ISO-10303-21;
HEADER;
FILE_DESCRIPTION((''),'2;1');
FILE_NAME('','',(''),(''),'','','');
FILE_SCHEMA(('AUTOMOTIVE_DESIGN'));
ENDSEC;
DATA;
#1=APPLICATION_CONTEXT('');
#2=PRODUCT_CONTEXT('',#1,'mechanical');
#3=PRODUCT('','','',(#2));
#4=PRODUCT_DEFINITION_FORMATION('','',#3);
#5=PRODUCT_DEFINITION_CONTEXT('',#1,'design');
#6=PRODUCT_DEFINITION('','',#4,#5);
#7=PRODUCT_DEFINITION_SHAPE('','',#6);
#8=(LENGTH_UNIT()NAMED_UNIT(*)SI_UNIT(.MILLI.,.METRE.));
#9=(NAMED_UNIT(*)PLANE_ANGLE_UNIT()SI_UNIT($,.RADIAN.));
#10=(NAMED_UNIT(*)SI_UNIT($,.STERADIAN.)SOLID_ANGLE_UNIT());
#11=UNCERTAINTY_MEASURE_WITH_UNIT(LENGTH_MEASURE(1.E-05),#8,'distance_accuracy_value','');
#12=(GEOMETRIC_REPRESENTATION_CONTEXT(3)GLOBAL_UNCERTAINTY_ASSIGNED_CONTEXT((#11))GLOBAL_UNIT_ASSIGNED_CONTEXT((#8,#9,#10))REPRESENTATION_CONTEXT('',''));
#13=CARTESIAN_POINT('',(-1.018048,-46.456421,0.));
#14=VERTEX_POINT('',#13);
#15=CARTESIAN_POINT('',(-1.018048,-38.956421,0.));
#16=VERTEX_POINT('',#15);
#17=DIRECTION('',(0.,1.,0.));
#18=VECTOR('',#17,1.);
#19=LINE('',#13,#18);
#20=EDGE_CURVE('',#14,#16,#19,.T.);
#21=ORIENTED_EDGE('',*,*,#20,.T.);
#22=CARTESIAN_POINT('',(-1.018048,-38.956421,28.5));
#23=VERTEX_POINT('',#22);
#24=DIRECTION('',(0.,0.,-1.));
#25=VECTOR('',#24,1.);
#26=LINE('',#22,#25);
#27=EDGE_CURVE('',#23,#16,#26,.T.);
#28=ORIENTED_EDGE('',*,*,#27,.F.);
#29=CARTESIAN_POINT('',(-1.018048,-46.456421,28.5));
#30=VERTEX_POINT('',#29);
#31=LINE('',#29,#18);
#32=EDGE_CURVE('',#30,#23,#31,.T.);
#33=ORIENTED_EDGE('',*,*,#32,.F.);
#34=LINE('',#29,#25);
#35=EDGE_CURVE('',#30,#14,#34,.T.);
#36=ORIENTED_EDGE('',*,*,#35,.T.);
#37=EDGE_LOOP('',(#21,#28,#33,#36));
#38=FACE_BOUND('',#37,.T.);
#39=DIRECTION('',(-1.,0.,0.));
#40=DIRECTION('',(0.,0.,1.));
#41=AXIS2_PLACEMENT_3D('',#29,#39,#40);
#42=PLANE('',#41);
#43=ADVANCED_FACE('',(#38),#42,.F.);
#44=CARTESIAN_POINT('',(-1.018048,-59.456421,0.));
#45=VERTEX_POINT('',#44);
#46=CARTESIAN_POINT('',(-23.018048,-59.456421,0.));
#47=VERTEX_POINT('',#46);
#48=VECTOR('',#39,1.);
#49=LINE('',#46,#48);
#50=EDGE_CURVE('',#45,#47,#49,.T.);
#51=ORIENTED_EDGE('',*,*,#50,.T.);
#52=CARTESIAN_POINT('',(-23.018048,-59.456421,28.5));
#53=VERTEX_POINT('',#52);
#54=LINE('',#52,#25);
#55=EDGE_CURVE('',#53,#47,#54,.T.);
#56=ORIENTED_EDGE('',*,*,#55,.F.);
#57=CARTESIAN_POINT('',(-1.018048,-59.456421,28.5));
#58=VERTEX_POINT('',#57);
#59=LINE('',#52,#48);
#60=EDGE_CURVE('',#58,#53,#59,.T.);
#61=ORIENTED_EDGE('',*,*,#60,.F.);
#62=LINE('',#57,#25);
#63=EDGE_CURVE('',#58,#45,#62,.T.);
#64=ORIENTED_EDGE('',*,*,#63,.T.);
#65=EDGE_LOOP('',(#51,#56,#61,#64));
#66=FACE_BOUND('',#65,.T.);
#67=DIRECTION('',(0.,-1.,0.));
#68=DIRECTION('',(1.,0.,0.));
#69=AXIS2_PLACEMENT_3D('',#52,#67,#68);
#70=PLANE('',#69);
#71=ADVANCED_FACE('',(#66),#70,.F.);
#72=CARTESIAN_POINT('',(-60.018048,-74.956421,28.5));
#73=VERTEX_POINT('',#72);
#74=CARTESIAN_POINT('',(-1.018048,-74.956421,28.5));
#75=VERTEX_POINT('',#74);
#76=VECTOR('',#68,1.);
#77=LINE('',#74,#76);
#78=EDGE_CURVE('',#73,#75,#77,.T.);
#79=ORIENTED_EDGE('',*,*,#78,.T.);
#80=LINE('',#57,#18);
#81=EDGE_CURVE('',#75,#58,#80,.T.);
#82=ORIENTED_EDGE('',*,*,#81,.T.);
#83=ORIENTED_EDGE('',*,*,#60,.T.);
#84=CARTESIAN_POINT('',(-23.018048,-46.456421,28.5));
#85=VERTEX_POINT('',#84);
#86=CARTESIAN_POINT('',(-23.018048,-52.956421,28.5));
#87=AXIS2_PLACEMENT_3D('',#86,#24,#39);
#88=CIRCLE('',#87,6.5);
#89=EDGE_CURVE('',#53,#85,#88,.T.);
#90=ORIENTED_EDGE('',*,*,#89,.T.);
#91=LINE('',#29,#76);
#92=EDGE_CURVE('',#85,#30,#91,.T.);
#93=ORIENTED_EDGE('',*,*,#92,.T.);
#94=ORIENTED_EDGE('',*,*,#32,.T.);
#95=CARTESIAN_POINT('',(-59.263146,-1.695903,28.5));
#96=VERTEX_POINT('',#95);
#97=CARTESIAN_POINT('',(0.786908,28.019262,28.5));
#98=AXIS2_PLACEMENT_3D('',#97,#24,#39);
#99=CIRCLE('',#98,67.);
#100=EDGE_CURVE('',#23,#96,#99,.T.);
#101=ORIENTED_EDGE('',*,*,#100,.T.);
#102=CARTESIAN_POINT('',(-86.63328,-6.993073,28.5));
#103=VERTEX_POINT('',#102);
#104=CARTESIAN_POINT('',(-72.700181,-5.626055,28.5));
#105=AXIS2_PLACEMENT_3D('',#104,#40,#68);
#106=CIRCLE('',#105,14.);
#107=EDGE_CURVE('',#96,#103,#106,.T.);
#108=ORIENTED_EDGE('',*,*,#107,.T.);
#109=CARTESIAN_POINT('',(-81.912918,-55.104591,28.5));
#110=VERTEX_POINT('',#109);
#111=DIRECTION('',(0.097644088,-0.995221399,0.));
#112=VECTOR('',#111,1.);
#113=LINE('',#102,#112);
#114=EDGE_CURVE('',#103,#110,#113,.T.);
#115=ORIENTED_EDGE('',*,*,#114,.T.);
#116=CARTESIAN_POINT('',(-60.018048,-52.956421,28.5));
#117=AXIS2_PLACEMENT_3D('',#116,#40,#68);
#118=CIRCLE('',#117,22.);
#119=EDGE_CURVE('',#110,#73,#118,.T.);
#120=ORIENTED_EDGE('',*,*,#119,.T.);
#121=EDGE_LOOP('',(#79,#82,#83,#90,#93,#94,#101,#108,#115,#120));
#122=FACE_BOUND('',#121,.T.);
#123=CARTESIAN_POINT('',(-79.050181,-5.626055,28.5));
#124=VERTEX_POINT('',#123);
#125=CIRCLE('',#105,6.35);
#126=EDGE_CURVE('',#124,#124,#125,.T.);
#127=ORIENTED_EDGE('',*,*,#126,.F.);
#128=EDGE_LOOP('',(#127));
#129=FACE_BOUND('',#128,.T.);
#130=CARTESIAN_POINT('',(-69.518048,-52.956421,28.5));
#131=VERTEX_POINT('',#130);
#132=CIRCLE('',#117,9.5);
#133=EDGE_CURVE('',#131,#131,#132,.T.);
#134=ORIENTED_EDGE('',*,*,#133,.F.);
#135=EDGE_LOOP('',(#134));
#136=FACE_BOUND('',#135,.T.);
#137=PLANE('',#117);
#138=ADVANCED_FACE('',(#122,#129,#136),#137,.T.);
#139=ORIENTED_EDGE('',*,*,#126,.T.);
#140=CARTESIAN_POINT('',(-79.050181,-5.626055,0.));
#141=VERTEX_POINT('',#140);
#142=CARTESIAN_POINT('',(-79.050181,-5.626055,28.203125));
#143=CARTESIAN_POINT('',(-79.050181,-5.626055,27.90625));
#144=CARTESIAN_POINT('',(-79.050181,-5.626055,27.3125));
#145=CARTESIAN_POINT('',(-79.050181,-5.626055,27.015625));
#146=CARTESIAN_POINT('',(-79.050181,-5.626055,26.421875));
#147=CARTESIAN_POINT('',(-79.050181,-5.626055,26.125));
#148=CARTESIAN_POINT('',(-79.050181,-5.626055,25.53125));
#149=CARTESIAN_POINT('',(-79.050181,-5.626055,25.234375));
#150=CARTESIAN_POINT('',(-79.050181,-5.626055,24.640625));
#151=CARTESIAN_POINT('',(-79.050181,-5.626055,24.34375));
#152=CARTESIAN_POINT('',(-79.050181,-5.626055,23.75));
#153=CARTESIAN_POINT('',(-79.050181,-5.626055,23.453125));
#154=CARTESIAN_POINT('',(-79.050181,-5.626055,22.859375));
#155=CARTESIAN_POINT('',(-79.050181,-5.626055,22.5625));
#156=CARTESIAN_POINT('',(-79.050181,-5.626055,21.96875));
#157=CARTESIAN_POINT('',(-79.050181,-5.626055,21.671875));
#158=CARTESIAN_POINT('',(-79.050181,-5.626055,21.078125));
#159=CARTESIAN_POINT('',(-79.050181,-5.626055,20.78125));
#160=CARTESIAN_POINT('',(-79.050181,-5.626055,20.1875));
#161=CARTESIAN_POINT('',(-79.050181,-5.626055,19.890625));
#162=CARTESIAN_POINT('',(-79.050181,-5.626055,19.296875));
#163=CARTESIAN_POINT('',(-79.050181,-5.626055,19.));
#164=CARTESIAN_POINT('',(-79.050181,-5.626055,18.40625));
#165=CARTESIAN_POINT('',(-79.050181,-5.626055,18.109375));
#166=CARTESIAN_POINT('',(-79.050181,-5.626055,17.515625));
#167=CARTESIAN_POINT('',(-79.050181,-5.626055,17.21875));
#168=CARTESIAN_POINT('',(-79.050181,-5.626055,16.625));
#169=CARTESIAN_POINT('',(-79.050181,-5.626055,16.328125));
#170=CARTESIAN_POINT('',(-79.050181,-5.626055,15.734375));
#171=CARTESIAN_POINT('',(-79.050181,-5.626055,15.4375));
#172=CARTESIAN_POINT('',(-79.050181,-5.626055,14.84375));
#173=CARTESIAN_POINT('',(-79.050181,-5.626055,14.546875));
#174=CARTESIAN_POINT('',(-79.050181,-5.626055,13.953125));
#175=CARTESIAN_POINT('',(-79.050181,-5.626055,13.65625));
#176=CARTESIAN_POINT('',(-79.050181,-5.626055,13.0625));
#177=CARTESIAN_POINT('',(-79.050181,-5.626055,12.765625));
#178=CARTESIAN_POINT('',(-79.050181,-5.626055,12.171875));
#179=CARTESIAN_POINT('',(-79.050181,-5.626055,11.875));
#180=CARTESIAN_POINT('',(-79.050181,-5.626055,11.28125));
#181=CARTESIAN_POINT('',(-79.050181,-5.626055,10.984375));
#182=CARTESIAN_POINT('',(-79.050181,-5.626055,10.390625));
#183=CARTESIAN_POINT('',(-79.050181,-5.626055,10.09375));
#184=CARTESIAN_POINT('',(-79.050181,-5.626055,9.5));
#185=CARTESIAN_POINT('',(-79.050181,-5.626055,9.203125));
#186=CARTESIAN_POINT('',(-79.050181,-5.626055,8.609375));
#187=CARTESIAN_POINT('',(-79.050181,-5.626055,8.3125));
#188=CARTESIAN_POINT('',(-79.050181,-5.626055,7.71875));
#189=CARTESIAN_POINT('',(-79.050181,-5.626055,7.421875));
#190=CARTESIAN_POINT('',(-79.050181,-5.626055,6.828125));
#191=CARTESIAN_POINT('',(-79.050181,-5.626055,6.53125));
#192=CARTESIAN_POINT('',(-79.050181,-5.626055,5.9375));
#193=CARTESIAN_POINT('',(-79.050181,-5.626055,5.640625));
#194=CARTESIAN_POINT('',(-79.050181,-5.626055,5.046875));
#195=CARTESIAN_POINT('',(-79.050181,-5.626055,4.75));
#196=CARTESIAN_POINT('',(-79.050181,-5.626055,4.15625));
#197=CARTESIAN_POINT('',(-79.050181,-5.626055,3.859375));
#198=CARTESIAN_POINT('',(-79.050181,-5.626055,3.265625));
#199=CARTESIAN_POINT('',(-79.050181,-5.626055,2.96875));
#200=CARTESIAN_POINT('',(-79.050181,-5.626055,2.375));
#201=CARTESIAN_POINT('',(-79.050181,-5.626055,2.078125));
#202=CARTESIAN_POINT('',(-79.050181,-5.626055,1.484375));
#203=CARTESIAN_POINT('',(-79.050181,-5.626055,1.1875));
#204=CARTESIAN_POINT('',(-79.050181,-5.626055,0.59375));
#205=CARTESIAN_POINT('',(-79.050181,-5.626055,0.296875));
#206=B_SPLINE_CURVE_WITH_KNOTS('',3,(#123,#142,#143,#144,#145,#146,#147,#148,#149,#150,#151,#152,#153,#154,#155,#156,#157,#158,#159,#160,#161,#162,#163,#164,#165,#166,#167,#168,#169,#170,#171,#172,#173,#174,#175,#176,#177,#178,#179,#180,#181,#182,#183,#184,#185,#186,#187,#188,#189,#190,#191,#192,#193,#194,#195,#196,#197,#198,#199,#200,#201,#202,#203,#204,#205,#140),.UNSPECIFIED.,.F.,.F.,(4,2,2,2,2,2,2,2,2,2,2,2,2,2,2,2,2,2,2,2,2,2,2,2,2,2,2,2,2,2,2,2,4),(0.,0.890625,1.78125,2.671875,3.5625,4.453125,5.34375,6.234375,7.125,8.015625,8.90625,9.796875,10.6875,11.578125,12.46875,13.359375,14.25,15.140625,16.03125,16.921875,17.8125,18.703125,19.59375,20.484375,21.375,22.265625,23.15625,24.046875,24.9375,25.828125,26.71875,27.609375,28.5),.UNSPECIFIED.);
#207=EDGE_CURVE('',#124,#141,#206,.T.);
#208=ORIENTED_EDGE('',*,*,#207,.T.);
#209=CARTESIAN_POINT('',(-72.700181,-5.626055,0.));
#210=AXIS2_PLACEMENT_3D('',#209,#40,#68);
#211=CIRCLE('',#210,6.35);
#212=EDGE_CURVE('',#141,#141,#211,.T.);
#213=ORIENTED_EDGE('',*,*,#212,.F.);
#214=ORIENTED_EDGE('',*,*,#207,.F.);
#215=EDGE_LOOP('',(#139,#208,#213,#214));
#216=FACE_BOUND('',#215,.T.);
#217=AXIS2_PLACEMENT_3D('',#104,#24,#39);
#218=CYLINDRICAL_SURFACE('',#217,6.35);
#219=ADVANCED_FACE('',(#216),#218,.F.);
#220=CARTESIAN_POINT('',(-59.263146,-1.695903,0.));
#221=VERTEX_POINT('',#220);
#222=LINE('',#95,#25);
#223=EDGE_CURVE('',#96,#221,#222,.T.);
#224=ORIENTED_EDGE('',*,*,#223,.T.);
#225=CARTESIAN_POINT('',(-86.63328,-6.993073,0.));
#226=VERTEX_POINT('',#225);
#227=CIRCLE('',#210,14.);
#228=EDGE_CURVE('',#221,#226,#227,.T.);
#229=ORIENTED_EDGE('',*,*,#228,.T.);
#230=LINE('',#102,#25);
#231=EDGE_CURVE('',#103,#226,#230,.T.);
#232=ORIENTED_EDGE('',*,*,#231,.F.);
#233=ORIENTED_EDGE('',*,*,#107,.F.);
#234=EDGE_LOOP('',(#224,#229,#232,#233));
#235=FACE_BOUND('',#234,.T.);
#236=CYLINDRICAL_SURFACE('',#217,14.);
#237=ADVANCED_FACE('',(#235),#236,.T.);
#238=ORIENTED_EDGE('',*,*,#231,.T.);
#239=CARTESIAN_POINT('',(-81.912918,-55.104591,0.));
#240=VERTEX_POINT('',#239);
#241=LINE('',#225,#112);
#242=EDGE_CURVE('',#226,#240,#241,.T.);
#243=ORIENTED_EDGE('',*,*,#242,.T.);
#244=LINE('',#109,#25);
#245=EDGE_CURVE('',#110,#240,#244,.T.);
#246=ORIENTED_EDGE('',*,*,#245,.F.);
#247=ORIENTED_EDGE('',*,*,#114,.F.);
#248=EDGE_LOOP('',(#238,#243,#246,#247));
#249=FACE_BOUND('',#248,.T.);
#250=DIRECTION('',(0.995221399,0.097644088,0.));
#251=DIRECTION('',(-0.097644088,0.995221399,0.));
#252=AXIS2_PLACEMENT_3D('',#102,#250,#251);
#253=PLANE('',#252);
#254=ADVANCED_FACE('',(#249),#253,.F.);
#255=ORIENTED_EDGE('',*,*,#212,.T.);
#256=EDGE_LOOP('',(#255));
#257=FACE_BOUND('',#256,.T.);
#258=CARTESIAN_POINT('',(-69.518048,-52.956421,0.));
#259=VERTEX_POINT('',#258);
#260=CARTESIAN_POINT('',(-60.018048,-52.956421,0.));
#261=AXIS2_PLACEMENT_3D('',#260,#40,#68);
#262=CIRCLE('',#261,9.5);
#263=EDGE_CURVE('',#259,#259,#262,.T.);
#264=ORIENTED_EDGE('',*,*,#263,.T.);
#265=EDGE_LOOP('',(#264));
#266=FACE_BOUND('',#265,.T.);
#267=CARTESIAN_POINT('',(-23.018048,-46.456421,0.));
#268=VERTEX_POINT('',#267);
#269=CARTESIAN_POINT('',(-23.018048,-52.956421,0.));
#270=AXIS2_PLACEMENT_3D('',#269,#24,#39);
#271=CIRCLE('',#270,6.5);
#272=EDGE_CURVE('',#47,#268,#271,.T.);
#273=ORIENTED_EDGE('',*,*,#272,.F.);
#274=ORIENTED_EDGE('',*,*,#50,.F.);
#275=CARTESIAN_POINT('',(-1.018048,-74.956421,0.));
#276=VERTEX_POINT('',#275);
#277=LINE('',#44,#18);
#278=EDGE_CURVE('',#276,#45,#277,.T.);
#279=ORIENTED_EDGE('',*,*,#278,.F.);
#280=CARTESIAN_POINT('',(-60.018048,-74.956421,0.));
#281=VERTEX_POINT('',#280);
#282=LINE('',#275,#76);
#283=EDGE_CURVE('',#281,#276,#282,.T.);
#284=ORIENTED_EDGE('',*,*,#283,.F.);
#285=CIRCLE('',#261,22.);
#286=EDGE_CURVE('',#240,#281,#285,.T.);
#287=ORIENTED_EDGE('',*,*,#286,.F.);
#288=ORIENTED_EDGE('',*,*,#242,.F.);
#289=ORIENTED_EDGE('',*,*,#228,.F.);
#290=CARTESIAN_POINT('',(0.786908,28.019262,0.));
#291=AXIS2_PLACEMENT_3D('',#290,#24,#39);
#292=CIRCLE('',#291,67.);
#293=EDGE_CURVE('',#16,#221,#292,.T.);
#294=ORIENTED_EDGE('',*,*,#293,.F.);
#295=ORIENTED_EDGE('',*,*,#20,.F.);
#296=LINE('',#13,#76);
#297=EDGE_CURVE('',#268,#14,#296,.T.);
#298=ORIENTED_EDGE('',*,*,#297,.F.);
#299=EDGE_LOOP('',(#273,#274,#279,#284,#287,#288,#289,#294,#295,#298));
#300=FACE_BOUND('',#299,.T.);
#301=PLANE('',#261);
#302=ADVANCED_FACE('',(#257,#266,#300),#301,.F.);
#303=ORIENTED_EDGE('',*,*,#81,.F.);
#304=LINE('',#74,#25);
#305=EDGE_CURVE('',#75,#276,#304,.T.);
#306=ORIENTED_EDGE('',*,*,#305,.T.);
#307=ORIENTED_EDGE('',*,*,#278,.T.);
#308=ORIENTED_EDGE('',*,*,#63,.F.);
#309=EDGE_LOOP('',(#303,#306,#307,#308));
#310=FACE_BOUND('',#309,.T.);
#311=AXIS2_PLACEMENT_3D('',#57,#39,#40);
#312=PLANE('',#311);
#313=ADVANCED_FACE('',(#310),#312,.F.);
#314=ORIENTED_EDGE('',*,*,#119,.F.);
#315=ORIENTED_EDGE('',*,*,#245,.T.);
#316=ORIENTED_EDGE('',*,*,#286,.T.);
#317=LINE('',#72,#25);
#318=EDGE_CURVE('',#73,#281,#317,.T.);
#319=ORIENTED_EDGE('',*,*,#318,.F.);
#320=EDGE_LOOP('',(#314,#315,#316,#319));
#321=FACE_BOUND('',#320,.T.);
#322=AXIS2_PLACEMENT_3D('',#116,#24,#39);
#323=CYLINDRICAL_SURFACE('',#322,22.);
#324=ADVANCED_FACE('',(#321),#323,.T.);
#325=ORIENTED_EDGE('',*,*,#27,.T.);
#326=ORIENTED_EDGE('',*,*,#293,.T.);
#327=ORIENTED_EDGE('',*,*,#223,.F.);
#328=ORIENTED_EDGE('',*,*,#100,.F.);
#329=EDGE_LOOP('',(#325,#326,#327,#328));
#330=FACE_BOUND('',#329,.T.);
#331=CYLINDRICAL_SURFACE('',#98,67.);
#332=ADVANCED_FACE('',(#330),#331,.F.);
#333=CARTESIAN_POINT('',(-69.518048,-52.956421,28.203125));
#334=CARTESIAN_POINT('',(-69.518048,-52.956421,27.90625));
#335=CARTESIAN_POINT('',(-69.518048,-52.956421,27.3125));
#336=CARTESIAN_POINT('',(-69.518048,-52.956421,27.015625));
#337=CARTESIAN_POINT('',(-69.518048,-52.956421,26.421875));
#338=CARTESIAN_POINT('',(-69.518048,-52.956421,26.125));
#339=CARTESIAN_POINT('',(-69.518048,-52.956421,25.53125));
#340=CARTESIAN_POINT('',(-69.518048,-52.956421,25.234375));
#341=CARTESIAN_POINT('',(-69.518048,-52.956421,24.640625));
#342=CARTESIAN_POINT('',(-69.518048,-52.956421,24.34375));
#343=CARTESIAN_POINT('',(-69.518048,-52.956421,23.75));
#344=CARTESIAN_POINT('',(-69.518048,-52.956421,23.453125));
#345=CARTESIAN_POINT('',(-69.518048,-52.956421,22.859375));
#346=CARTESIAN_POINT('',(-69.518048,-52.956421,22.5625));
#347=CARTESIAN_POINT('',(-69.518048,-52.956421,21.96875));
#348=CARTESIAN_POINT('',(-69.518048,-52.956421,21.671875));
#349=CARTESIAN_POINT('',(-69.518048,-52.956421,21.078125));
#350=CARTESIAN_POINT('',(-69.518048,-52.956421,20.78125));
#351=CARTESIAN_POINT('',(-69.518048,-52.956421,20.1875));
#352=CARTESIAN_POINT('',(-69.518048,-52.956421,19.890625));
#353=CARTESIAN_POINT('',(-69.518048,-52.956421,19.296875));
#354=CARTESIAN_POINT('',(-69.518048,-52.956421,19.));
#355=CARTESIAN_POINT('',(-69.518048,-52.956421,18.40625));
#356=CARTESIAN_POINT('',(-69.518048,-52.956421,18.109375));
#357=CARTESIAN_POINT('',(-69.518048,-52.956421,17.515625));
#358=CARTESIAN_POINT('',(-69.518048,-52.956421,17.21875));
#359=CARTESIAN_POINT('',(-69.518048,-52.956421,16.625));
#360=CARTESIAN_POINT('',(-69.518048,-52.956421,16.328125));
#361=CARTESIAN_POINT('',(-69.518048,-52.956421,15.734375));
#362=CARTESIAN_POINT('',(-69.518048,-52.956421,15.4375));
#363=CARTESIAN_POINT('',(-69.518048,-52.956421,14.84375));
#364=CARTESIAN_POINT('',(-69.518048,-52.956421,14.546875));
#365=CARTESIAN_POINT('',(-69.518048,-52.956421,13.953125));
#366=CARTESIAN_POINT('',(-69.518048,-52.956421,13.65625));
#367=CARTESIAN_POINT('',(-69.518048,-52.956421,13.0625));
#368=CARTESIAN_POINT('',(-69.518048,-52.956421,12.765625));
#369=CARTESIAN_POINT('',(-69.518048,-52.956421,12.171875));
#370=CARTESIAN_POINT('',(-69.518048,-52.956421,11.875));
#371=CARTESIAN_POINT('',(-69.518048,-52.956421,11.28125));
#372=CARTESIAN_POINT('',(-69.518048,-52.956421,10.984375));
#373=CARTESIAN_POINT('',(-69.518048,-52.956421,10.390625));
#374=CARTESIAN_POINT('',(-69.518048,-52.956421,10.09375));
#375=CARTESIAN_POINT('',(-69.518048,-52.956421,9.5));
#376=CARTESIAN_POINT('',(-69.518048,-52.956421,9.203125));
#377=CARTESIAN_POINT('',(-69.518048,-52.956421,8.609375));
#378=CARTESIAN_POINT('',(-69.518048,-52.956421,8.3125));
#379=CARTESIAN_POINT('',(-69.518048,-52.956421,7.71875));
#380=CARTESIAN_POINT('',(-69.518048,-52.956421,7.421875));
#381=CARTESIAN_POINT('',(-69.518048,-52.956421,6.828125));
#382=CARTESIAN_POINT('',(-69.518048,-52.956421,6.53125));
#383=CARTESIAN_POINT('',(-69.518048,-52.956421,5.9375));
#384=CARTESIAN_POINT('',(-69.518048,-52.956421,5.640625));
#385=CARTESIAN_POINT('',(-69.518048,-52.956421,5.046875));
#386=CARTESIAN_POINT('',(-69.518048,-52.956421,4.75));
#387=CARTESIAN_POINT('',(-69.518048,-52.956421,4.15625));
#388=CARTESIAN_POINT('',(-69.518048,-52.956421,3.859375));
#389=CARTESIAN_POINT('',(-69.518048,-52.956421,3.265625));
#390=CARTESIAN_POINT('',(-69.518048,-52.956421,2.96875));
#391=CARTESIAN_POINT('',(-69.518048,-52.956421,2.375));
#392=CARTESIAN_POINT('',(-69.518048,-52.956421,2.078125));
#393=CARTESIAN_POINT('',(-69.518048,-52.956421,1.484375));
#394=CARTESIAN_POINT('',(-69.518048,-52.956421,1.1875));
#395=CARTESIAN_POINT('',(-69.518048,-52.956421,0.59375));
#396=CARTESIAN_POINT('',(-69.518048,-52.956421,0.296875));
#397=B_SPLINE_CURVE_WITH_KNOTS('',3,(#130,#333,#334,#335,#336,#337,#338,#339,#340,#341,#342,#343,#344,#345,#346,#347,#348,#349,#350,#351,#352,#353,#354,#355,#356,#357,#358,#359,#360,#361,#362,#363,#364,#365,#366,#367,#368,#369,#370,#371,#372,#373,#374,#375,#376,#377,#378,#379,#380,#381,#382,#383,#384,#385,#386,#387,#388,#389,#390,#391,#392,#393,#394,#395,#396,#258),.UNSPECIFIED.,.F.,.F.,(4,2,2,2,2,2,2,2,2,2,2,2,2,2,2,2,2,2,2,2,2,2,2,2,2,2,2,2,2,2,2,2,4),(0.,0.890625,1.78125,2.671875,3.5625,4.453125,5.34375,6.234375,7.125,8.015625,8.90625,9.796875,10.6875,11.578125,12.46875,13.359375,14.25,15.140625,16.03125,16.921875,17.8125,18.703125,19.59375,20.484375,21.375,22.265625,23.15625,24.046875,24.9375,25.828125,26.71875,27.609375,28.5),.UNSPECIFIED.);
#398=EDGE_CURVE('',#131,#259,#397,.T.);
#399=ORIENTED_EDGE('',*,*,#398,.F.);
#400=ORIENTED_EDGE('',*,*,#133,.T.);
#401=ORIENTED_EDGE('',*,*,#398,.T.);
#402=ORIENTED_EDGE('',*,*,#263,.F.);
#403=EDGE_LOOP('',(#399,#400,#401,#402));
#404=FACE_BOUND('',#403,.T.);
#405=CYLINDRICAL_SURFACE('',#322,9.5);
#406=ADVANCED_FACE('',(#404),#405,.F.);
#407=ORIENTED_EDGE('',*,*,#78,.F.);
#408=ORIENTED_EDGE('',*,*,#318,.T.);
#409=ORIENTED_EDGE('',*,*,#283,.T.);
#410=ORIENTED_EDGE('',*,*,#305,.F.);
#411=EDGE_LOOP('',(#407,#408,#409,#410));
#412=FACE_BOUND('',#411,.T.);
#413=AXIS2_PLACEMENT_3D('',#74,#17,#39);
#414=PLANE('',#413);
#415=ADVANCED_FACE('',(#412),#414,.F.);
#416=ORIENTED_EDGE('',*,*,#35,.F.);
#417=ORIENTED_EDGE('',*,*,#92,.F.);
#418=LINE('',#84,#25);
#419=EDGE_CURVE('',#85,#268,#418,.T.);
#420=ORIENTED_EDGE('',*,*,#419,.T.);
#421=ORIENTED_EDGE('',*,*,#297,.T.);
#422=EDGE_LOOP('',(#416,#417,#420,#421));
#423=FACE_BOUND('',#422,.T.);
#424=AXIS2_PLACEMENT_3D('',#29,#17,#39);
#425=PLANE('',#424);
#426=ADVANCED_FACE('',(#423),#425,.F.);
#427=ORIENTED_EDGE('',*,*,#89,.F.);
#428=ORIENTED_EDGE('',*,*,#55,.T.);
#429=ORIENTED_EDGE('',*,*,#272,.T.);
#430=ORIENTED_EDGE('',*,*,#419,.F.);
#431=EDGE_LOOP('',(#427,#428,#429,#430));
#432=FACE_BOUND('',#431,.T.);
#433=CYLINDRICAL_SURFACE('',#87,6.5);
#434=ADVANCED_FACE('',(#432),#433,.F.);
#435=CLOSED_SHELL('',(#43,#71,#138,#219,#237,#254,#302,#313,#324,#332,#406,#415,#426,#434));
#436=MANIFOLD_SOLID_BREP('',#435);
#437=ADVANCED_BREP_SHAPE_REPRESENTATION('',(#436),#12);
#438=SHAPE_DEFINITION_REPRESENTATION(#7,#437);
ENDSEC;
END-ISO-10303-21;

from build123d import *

# Parameters (mm, degrees)
ESQUISSE1_R        = 6.35
ESQUISSE1_R_2      = 9.5
BOSS_EXTRU_1_DEPTH = 28.5


with BuildPart() as part:
    # Esquisse1 → Boss.-Extru.1 (new body)
    with BuildSketch(Plane.XY):
        with BuildLine():
            Line((-86.633280406, -6.99307262), (-81.912918385, -55.104590809))
            ThreePointArc((-81.912918385, -55.104590809), (-74.795399572, -69.254576275), (-60.018047616, -74.956420883))
            Line((-60.018047616, -74.956420883), (-1.018047616, -74.956420883))
            Line((-1.018047616, -74.956420883), (-1.018047616, -59.456420883))
            Line((-1.018047616, -59.456420883), (-23.018047616, -59.456420883))
            ThreePointArc((-23.018047616, -59.456420883), (-29.518047616, -52.956420883), (-23.018047616, -46.456420883))
            Line((-23.018047616, -46.456420883), (-1.018047616, -46.456420883))
            Line((-1.018047616, -46.456420883), (-1.018047616, -38.956420883))
            ThreePointArc((-1.018047616, -38.956420883), (-35.318453229, -28.420111536), (-59.263146108, -1.695902984))
            ThreePointArc((-59.263146108, -1.695902984), (-75.360354059, 8.118888343), (-86.633280406, -6.99307262))
        make_face()
        with Locations(Location((-72.700180587, -5.626055331, 0), (0, 0, 180))):
            Circle(ESQUISSE1_R, mode=Mode.SUBTRACT)
        with Locations(Location((-60.018047616, -52.956420883, 0), (0, 0, 180))):
            Circle(ESQUISSE1_R_2, mode=Mode.SUBTRACT)
    extrude(amount=BOSS_EXTRU_1_DEPTH)


solid = part.part
